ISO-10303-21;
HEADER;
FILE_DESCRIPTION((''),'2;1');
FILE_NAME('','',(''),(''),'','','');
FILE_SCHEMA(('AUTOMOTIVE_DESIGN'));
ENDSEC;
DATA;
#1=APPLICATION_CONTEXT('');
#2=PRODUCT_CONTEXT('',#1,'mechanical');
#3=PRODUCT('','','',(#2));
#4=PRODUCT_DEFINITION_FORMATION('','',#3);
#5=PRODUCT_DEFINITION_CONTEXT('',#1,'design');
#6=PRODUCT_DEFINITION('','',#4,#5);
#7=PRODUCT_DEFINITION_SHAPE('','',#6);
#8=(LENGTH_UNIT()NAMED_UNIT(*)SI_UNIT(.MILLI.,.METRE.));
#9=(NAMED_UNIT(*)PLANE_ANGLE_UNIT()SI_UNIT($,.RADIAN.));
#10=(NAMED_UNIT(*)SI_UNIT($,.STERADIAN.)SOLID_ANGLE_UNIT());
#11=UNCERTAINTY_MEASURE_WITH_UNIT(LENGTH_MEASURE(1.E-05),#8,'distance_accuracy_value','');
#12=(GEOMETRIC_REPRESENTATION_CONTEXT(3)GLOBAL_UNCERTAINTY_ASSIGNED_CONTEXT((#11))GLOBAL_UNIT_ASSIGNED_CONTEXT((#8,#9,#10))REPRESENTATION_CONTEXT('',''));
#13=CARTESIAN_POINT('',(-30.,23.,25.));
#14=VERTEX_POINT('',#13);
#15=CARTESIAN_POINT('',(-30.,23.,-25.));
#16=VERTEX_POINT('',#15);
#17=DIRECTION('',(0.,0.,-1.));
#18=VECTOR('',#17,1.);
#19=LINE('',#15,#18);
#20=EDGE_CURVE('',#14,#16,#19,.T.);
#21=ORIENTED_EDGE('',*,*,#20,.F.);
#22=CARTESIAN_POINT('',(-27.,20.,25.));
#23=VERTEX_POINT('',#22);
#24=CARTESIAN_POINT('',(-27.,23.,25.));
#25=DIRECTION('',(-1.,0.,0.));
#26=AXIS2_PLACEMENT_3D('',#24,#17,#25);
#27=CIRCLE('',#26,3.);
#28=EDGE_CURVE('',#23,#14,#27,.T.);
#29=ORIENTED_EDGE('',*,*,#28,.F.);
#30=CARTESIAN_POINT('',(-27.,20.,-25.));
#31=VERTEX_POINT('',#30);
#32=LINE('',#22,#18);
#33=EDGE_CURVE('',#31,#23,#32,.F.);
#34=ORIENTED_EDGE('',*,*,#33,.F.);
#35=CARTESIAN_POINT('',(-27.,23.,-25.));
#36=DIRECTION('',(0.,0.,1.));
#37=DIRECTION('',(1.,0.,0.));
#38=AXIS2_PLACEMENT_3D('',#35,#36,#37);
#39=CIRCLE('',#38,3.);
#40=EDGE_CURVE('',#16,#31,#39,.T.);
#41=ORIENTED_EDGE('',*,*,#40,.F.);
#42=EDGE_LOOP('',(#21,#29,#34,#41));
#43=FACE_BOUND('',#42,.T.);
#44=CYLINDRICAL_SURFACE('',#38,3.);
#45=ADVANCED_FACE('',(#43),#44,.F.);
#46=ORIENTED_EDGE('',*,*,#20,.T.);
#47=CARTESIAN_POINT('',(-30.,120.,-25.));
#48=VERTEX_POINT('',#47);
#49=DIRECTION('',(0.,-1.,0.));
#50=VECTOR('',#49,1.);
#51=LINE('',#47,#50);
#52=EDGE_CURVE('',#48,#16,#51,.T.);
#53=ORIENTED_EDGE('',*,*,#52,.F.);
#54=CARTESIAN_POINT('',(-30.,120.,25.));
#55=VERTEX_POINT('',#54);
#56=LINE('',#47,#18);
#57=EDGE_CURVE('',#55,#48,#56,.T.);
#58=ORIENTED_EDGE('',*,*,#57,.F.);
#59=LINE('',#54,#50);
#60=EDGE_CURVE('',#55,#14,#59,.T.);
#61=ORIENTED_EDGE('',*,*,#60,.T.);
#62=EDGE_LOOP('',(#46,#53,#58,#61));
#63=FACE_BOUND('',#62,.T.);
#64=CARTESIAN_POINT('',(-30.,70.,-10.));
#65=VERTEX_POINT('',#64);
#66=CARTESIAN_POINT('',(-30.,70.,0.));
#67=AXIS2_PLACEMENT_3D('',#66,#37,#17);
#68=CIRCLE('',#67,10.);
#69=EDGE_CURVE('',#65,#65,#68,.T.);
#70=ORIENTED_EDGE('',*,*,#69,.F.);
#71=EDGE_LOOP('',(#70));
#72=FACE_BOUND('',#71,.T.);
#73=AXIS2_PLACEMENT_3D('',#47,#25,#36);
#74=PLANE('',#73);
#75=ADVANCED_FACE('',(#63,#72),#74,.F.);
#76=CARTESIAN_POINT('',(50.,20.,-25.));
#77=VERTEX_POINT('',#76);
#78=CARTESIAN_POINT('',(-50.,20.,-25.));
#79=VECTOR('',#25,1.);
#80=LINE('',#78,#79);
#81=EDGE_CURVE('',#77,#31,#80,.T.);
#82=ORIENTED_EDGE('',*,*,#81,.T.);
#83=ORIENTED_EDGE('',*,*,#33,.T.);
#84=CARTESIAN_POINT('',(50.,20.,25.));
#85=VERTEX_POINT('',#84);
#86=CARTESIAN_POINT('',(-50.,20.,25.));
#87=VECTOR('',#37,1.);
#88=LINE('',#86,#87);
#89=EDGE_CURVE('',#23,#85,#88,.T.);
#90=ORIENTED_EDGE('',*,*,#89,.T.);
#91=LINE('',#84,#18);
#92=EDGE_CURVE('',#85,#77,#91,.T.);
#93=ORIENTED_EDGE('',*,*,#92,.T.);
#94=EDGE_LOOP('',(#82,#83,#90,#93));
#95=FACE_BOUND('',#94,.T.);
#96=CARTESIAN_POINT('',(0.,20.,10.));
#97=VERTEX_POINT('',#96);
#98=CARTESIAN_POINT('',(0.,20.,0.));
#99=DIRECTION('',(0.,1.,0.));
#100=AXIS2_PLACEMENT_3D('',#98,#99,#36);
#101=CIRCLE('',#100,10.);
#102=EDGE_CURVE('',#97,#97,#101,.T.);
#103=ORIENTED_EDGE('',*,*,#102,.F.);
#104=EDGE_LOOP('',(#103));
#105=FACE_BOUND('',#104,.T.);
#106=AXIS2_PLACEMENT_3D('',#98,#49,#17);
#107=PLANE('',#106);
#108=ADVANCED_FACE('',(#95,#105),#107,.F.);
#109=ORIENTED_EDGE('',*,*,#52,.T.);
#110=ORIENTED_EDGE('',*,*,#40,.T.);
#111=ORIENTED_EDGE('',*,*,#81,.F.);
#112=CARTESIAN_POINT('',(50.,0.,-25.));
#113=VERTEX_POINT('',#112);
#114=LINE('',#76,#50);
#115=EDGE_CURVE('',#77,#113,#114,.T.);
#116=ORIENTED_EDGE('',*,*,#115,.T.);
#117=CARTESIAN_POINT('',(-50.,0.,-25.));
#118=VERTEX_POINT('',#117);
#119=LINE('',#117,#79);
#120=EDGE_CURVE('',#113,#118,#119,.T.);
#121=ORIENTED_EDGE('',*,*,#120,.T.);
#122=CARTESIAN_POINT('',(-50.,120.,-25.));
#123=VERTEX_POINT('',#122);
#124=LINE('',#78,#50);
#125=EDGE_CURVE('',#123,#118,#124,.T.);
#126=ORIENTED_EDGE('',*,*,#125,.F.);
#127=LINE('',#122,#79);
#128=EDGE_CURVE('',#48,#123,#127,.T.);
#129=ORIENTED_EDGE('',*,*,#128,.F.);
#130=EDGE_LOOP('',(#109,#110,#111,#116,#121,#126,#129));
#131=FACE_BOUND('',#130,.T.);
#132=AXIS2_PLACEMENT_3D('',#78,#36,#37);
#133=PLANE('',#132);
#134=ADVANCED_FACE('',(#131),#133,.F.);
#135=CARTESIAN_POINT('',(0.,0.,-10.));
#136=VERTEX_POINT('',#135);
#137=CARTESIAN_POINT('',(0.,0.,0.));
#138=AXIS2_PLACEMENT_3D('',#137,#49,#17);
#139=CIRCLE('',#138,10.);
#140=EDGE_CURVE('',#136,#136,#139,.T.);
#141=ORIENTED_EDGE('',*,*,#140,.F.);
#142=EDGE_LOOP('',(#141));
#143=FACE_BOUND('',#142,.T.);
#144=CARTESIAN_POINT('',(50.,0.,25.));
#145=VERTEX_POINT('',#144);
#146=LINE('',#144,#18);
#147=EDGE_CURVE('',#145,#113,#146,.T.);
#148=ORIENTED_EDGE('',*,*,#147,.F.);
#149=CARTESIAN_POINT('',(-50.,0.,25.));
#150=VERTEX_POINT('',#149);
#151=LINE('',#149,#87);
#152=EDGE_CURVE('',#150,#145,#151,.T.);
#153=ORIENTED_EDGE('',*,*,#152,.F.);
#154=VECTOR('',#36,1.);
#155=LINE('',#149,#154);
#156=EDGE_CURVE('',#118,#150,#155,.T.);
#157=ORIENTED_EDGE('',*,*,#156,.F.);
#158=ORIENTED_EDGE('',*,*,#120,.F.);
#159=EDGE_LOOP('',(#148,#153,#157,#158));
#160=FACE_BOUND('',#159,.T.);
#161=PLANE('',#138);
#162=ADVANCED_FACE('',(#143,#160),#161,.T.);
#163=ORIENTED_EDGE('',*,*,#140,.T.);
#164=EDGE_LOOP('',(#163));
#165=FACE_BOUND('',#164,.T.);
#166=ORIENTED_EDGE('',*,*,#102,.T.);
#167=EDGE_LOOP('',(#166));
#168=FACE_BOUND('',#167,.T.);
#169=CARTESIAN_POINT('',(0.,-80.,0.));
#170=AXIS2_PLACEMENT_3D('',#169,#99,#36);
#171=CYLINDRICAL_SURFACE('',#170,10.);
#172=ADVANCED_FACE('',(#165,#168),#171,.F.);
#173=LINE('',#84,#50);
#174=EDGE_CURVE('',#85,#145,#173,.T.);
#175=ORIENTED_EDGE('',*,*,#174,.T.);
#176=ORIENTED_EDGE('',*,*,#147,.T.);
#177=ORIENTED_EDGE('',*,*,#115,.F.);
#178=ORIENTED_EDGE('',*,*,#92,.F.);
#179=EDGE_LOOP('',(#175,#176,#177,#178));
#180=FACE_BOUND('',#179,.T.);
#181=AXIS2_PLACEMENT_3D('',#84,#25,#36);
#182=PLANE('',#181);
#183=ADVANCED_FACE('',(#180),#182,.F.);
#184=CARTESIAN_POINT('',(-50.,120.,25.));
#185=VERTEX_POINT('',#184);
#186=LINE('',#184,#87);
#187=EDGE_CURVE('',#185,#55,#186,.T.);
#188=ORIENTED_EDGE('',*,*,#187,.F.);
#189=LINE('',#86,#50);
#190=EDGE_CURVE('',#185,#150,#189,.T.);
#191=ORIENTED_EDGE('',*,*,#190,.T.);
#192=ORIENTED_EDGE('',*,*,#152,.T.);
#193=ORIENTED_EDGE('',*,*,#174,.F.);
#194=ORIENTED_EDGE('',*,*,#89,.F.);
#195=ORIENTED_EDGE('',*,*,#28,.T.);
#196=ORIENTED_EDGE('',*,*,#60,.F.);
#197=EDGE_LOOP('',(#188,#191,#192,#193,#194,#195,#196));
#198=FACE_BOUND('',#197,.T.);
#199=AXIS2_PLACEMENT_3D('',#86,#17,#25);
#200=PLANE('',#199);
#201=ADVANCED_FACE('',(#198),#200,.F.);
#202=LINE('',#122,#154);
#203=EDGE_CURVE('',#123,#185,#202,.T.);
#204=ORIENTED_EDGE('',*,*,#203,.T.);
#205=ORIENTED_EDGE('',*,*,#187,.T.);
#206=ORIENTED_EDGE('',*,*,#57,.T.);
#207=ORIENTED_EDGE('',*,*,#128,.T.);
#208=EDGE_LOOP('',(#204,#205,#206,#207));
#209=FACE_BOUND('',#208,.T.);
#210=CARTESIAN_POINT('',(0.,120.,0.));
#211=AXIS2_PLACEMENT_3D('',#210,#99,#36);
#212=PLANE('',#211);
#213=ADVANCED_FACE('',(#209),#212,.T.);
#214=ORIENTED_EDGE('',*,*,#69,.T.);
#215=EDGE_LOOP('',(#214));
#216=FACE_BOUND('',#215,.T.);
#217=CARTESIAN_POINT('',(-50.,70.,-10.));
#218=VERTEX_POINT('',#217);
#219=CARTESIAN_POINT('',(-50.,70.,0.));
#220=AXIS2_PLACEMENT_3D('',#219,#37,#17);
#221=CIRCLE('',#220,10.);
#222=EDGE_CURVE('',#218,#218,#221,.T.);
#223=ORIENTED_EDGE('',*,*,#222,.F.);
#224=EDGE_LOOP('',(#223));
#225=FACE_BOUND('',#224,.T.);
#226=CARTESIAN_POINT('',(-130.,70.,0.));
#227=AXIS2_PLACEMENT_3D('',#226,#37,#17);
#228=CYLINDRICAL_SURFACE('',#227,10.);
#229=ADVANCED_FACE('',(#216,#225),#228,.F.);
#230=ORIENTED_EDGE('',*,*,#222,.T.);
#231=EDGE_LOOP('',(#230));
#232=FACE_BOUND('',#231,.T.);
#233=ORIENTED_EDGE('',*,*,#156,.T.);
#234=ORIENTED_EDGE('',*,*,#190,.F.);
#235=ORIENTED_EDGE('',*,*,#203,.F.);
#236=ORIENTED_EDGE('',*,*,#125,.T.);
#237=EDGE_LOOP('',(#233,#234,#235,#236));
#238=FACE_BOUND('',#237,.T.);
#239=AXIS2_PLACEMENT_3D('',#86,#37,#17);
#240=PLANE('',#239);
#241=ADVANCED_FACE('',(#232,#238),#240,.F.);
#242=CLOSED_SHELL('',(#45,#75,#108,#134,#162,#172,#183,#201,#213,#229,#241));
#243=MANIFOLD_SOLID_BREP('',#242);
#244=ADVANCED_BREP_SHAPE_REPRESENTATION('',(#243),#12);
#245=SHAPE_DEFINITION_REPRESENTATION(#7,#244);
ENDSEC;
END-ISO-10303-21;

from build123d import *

# Parameters (mm, degrees)
SKETCH1_W           = 100
SKETCH1_H           = 50
BOSS_EXTRUDE1_DEPTH = 20
SKETCH3_W           = 20
SKETCH3_H           = 50
BOSS_EXTRUDE2_DEPTH = 100
SKETCH4_R           = 10
CUT_EXTRUDE1_DEPTH  = 100
SKETCH5_R           = 10
CUT_EXTRUDE2_DEPTH  = 100
FILLET1_R           = 3


with BuildPart() as part:
    # Sketch1 → Boss-Extrude1 (new body)
    with BuildSketch(Plane(origin=(0, 0, 0), x_dir=(1, 0, 0), z_dir=(0, 1, 0))):
        Rectangle(SKETCH1_W, SKETCH1_H)
    extrude(amount=BOSS_EXTRUDE1_DEPTH)

    # Sketch3 → Boss-Extrude2 (add)
    with BuildSketch(Plane(origin=(0, 20, 0), x_dir=(1, 0, 0), z_dir=(0, 1, 0))):
        with Locations((-40, 0)):
            Rectangle(SKETCH3_W, SKETCH3_H)
    extrude(amount=BOSS_EXTRUDE2_DEPTH)

    # Sketch4 → Cut-Extrude1 (cut)
    with BuildSketch(Plane(origin=(-30, 0, 0), x_dir=(0, 0, -1), z_dir=(1, 0, 0))):
        with Locations((0, 70)):
            Circle(SKETCH4_R)
    extrude(amount=-CUT_EXTRUDE1_DEPTH, mode=Mode.SUBTRACT)

    # Sketch5 → Cut-Extrude2 (cut)
    with BuildSketch(Plane(origin=(0, 20, 0), x_dir=(1, 0, 0), z_dir=(0, 1, 0))):
        with Locations(Location((0, 0, 0), (0, 0, 270))):
            Circle(SKETCH5_R)
    extrude(amount=-CUT_EXTRUDE2_DEPTH, mode=Mode.SUBTRACT)

    # Fillet1
    fillet1_edges = [part.edges().sort_by_distance(p)[0] for p in [
        (-30, 20, 0),
    ]]
    fillet(fillet1_edges, radius=FILLET1_R)


solid = part.part
